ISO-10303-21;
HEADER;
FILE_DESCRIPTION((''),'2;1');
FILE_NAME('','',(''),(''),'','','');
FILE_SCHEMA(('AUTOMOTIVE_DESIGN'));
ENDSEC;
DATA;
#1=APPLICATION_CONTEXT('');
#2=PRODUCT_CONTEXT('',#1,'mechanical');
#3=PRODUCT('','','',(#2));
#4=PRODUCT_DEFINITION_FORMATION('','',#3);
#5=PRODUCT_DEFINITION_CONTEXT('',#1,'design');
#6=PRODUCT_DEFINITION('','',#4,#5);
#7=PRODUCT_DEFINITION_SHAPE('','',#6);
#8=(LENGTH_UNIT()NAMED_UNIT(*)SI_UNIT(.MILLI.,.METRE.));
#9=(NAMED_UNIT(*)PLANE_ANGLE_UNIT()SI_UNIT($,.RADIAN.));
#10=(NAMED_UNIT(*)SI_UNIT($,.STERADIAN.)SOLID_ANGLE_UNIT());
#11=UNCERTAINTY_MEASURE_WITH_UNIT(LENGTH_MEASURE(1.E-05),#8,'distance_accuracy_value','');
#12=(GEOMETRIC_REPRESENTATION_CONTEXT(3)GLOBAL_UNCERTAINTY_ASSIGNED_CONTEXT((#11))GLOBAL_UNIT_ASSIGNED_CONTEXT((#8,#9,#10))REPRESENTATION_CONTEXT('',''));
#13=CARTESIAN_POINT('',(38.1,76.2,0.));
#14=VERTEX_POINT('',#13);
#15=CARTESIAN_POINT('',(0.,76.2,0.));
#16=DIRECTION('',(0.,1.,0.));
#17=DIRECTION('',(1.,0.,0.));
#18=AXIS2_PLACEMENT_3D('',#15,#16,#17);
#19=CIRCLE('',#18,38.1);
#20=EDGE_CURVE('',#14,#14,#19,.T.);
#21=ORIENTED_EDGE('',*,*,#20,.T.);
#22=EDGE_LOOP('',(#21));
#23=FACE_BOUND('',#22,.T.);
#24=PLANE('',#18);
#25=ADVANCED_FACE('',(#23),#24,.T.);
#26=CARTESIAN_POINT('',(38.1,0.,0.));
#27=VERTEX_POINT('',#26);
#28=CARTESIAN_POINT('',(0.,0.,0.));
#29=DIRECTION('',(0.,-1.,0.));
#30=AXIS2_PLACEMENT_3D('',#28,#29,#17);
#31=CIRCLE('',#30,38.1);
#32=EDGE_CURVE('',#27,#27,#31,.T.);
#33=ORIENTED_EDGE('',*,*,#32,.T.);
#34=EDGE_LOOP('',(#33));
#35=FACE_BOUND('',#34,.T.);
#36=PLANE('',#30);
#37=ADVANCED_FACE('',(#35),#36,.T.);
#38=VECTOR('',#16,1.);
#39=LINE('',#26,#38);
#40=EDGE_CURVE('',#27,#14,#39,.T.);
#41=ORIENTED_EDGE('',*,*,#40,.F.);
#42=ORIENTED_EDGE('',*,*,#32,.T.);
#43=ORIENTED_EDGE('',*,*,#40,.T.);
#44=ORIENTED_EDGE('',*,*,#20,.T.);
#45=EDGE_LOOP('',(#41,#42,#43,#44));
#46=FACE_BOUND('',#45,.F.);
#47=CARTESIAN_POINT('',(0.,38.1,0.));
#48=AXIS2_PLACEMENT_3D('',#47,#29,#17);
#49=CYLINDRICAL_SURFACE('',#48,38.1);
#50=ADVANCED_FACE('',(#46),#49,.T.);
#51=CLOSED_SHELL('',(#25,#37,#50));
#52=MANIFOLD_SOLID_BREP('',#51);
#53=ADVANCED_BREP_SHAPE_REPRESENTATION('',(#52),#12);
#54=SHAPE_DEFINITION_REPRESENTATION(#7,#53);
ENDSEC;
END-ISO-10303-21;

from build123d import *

# Parameters (mm, degrees)
F0_R      = 38.1
F1_DEPTH  = 38.1
F1_FACE_R = 38.1
F2_DEPTH  = 38.1


with BuildPart() as f1:
    # F0 (on Front) → F1 (new body)
    with BuildSketch(Plane.XZ):
        Circle(F0_R)
    extrude(amount=-F1_DEPTH)

    # F1_face (on face) → F2 (join)
    with BuildSketch(Plane(origin=(0, 38.1, 0), x_dir=(1, 0, 0), z_dir=(0, 1, 0))):
        Circle(F1_FACE_R)
    extrude(amount=F2_DEPTH)


solid = f1.part
